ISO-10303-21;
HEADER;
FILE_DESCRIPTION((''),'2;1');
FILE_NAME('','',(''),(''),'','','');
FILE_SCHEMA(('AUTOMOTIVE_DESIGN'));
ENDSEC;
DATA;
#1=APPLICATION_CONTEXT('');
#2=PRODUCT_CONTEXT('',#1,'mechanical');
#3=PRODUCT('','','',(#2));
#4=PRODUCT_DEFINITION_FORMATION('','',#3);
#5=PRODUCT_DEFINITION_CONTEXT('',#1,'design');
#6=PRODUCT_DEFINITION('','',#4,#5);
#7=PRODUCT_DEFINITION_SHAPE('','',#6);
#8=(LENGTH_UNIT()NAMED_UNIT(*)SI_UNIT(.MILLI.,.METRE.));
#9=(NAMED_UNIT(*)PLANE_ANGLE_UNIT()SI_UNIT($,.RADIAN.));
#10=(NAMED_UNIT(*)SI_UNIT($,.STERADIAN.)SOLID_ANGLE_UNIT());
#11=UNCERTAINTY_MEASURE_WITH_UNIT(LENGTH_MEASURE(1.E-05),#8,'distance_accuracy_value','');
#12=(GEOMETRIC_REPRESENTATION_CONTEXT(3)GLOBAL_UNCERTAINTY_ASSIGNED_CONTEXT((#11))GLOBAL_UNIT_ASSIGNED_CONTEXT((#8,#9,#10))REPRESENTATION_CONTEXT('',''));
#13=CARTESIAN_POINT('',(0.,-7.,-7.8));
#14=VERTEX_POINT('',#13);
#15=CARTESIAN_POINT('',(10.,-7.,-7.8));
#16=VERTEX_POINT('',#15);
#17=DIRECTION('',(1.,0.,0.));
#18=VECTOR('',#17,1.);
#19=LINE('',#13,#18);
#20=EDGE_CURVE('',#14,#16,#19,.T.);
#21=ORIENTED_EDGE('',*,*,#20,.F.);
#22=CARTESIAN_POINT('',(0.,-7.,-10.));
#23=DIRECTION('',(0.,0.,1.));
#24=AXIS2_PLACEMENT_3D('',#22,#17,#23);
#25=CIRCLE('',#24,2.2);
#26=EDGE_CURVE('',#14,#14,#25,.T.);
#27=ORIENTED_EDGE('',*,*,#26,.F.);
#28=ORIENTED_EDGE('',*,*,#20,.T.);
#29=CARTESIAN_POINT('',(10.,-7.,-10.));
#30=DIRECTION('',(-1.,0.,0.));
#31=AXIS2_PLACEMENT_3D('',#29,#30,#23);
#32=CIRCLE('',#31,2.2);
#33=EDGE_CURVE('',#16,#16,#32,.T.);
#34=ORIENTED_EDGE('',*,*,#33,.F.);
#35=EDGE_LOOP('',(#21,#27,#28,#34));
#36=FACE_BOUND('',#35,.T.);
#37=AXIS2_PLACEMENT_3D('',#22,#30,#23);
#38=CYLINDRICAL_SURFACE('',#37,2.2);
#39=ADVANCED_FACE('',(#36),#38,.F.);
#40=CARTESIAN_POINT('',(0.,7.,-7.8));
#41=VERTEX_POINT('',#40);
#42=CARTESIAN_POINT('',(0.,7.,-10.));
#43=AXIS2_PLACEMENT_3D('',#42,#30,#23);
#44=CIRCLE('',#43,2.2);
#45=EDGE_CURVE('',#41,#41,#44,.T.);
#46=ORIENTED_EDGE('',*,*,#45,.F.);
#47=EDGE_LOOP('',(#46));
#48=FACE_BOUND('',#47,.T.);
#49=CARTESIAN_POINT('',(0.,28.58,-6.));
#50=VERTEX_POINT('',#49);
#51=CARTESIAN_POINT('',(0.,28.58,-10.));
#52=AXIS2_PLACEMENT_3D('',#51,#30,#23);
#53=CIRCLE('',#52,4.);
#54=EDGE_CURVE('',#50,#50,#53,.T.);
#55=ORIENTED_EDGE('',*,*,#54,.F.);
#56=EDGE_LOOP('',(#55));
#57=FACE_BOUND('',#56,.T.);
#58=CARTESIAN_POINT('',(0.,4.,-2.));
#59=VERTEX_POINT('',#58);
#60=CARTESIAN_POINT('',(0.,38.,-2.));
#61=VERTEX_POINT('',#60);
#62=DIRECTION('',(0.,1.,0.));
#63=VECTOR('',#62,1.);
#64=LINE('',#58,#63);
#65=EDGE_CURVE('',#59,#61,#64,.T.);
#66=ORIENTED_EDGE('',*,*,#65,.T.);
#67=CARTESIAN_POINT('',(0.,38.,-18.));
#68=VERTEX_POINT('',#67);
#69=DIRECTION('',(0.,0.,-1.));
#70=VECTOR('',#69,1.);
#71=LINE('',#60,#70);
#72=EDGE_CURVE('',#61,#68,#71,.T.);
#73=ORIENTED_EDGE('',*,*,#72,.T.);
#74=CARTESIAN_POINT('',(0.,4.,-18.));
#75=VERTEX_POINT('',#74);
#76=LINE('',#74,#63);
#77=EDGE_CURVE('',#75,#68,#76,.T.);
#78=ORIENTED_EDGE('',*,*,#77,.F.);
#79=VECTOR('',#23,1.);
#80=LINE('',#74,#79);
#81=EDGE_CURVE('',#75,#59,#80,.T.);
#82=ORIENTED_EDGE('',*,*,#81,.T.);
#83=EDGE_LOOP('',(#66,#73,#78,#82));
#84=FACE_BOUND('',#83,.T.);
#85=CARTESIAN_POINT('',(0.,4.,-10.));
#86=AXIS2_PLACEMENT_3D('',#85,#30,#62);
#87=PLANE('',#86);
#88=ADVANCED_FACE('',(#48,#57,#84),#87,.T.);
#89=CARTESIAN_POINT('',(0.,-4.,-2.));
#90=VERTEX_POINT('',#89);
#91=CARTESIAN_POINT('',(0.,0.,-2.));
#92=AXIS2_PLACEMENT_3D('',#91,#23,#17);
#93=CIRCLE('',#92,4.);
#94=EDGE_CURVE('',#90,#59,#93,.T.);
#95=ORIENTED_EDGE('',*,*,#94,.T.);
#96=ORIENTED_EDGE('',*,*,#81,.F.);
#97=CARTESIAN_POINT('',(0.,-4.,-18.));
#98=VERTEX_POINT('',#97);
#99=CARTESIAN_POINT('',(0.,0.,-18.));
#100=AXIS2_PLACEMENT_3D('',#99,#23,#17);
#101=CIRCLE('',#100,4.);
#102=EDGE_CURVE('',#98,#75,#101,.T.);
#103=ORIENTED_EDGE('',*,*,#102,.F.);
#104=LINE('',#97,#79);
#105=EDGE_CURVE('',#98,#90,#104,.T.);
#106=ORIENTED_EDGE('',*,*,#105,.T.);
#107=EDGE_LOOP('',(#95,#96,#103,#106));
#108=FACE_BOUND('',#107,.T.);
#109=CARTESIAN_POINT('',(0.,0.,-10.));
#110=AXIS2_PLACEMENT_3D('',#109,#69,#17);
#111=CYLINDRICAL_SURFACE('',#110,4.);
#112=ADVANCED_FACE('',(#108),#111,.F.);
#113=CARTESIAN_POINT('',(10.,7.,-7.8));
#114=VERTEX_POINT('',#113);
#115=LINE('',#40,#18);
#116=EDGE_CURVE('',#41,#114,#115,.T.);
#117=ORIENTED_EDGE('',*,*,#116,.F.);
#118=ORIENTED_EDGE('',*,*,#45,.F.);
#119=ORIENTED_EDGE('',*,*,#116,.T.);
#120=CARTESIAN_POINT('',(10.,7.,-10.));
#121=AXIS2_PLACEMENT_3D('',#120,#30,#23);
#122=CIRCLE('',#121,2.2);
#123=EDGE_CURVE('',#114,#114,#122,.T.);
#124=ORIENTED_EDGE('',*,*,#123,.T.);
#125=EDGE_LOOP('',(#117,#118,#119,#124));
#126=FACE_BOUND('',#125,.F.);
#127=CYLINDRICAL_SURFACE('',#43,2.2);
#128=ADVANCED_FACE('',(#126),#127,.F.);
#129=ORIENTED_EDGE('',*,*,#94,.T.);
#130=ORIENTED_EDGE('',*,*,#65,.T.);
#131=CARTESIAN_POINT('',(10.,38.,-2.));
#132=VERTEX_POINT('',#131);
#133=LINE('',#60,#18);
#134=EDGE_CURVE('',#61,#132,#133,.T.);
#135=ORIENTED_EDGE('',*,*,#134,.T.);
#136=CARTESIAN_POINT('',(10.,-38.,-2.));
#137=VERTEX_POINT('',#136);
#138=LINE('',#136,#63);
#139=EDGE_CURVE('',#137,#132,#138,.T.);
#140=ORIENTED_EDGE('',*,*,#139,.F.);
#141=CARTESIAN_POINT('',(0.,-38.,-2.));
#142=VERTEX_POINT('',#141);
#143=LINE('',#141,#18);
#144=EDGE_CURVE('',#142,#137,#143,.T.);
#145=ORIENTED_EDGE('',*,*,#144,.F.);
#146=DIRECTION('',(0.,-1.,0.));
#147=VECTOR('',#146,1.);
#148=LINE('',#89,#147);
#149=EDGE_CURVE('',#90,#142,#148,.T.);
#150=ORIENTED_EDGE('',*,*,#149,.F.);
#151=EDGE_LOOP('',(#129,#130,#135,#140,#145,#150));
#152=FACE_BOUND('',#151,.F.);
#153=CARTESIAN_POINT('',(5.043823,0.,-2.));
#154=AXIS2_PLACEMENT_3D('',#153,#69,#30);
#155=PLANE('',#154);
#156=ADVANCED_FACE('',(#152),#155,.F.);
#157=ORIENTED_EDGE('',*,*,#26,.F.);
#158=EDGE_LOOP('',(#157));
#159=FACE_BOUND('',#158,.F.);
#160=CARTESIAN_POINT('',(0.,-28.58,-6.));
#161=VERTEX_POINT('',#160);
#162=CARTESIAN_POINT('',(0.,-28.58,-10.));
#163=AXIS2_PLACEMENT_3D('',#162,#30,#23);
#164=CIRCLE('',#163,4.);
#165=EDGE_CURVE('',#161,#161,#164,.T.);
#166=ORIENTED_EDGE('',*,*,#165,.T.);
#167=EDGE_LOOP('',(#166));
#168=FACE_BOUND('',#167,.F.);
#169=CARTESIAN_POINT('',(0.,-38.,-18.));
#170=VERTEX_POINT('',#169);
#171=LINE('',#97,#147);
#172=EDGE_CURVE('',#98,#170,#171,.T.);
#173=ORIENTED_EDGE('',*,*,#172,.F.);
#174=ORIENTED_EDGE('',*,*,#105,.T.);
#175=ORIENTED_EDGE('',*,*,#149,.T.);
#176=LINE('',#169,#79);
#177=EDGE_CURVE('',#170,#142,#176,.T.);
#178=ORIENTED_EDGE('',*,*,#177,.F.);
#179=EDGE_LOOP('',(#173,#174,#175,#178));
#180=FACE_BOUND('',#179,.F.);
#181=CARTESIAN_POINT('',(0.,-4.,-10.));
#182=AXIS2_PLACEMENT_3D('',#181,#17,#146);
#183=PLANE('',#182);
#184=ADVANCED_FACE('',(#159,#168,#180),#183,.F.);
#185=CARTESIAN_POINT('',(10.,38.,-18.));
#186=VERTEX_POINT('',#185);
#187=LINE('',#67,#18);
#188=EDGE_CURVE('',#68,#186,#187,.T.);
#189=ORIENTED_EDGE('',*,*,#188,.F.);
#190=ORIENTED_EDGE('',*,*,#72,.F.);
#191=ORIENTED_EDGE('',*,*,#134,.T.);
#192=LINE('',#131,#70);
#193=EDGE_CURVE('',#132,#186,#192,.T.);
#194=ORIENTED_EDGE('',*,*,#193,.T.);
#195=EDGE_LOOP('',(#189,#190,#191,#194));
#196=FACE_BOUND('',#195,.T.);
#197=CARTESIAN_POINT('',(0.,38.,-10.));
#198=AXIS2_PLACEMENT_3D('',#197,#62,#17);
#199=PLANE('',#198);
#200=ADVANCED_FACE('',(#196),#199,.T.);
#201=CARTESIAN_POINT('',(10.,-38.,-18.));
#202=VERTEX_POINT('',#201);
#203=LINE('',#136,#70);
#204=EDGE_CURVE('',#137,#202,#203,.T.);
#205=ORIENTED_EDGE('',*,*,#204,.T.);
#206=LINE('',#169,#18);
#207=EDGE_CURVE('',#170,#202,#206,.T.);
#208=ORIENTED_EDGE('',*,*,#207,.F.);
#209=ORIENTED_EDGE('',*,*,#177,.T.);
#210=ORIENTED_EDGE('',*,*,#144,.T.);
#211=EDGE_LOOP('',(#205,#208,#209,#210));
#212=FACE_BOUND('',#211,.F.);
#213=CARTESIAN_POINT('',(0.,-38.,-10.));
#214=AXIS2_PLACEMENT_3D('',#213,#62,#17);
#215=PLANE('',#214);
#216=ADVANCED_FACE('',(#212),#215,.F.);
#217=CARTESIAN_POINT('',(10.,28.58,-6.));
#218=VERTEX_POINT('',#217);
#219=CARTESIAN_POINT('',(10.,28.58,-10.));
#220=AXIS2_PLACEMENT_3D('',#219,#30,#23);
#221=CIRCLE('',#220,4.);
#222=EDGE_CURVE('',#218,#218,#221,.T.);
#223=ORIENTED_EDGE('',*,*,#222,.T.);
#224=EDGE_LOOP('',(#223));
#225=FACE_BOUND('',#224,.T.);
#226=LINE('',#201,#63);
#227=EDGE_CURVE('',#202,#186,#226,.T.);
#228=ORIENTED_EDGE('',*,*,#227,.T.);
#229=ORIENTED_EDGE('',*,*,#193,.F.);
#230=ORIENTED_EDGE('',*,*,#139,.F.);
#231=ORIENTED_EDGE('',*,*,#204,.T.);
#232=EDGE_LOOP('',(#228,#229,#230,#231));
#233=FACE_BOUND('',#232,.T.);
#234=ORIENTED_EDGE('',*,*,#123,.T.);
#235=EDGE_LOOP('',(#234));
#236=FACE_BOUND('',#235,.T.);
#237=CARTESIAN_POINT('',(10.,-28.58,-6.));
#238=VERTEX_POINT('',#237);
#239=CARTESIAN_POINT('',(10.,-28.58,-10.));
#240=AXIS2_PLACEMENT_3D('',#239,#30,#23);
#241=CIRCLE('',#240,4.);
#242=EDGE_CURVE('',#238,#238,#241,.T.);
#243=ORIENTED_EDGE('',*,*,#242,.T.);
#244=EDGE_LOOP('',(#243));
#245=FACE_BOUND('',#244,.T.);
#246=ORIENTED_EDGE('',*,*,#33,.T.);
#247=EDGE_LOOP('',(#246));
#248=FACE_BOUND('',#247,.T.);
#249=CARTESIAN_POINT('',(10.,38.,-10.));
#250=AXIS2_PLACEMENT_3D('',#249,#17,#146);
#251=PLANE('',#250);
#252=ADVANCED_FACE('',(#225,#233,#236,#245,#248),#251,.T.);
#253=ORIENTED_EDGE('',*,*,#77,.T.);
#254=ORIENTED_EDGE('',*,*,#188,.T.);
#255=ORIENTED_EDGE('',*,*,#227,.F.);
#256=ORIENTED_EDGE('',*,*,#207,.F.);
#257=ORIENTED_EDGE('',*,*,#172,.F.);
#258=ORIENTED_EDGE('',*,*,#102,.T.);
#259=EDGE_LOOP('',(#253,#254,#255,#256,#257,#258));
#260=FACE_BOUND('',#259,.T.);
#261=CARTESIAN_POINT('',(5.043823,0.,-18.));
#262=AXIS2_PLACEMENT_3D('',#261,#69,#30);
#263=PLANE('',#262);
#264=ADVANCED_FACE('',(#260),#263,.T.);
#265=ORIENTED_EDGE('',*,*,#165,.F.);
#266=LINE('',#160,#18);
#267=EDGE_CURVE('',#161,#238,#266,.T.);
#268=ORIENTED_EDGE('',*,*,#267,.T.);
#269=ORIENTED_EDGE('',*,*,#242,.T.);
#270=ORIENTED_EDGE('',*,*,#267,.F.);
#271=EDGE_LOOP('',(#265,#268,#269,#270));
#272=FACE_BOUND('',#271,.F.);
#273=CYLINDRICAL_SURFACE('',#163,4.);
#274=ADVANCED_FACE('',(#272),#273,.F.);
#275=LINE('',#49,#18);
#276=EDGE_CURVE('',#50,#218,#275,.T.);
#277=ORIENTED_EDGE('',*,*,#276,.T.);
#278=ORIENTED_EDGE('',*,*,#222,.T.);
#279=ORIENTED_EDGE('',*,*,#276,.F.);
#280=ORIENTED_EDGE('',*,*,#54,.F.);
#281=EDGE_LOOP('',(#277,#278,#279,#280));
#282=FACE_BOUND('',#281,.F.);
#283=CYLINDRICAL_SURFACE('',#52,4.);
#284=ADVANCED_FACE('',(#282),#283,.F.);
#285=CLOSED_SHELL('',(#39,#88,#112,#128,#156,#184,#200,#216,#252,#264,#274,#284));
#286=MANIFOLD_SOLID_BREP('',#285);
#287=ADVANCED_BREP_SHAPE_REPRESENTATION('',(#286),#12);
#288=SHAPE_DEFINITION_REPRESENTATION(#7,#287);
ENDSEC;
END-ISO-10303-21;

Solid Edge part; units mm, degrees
sketch "Sketch1" plane through (0, 0, -10) normal (0, 0, 1) x (1, 0, 0)
  line L0 (0, 4) -> (0, 38)
  line L1 (0, 38) -> (10, 38)
  line L2 (10, 38) -> (10, 0)
  line L3 (10, -38) -> (10, 0)
  line L4 (0, -38) -> (10, -38)
  line L5 (0, -4) -> (0, -38)
  arc A0 (0, -4) -> (0, 4) centre (0, 0) ccw
extrude "ExtrudedProtrusion_1" add sketch "Sketch1" along normal mid plane 16
sketch "Sketch2" plane through (0, 21, -10) normal (-1, 0, 0) x (0, 0, 1)
  circle A0 centre (0, 7.58) radius 4
  circle A1 centre (0, -49.58) radius 4
extrude "Cutout1" cut sketch "Sketch2" against normal through all
sketch "Sketch3" plane through (0, 21, -10) normal (-1, 0, 0) x (0, 0, 1)
  circle A0 centre (0, -14) radius 2.2
  dimension "D1" = 3
  dimension "D2" = 4.4
extrude "Cutout2" cut sketch "Sketch3" against normal through all
mirror "Mirror1" about plane through (0, 0, 0) normal (0, -1, 0) of "Cutout2"
